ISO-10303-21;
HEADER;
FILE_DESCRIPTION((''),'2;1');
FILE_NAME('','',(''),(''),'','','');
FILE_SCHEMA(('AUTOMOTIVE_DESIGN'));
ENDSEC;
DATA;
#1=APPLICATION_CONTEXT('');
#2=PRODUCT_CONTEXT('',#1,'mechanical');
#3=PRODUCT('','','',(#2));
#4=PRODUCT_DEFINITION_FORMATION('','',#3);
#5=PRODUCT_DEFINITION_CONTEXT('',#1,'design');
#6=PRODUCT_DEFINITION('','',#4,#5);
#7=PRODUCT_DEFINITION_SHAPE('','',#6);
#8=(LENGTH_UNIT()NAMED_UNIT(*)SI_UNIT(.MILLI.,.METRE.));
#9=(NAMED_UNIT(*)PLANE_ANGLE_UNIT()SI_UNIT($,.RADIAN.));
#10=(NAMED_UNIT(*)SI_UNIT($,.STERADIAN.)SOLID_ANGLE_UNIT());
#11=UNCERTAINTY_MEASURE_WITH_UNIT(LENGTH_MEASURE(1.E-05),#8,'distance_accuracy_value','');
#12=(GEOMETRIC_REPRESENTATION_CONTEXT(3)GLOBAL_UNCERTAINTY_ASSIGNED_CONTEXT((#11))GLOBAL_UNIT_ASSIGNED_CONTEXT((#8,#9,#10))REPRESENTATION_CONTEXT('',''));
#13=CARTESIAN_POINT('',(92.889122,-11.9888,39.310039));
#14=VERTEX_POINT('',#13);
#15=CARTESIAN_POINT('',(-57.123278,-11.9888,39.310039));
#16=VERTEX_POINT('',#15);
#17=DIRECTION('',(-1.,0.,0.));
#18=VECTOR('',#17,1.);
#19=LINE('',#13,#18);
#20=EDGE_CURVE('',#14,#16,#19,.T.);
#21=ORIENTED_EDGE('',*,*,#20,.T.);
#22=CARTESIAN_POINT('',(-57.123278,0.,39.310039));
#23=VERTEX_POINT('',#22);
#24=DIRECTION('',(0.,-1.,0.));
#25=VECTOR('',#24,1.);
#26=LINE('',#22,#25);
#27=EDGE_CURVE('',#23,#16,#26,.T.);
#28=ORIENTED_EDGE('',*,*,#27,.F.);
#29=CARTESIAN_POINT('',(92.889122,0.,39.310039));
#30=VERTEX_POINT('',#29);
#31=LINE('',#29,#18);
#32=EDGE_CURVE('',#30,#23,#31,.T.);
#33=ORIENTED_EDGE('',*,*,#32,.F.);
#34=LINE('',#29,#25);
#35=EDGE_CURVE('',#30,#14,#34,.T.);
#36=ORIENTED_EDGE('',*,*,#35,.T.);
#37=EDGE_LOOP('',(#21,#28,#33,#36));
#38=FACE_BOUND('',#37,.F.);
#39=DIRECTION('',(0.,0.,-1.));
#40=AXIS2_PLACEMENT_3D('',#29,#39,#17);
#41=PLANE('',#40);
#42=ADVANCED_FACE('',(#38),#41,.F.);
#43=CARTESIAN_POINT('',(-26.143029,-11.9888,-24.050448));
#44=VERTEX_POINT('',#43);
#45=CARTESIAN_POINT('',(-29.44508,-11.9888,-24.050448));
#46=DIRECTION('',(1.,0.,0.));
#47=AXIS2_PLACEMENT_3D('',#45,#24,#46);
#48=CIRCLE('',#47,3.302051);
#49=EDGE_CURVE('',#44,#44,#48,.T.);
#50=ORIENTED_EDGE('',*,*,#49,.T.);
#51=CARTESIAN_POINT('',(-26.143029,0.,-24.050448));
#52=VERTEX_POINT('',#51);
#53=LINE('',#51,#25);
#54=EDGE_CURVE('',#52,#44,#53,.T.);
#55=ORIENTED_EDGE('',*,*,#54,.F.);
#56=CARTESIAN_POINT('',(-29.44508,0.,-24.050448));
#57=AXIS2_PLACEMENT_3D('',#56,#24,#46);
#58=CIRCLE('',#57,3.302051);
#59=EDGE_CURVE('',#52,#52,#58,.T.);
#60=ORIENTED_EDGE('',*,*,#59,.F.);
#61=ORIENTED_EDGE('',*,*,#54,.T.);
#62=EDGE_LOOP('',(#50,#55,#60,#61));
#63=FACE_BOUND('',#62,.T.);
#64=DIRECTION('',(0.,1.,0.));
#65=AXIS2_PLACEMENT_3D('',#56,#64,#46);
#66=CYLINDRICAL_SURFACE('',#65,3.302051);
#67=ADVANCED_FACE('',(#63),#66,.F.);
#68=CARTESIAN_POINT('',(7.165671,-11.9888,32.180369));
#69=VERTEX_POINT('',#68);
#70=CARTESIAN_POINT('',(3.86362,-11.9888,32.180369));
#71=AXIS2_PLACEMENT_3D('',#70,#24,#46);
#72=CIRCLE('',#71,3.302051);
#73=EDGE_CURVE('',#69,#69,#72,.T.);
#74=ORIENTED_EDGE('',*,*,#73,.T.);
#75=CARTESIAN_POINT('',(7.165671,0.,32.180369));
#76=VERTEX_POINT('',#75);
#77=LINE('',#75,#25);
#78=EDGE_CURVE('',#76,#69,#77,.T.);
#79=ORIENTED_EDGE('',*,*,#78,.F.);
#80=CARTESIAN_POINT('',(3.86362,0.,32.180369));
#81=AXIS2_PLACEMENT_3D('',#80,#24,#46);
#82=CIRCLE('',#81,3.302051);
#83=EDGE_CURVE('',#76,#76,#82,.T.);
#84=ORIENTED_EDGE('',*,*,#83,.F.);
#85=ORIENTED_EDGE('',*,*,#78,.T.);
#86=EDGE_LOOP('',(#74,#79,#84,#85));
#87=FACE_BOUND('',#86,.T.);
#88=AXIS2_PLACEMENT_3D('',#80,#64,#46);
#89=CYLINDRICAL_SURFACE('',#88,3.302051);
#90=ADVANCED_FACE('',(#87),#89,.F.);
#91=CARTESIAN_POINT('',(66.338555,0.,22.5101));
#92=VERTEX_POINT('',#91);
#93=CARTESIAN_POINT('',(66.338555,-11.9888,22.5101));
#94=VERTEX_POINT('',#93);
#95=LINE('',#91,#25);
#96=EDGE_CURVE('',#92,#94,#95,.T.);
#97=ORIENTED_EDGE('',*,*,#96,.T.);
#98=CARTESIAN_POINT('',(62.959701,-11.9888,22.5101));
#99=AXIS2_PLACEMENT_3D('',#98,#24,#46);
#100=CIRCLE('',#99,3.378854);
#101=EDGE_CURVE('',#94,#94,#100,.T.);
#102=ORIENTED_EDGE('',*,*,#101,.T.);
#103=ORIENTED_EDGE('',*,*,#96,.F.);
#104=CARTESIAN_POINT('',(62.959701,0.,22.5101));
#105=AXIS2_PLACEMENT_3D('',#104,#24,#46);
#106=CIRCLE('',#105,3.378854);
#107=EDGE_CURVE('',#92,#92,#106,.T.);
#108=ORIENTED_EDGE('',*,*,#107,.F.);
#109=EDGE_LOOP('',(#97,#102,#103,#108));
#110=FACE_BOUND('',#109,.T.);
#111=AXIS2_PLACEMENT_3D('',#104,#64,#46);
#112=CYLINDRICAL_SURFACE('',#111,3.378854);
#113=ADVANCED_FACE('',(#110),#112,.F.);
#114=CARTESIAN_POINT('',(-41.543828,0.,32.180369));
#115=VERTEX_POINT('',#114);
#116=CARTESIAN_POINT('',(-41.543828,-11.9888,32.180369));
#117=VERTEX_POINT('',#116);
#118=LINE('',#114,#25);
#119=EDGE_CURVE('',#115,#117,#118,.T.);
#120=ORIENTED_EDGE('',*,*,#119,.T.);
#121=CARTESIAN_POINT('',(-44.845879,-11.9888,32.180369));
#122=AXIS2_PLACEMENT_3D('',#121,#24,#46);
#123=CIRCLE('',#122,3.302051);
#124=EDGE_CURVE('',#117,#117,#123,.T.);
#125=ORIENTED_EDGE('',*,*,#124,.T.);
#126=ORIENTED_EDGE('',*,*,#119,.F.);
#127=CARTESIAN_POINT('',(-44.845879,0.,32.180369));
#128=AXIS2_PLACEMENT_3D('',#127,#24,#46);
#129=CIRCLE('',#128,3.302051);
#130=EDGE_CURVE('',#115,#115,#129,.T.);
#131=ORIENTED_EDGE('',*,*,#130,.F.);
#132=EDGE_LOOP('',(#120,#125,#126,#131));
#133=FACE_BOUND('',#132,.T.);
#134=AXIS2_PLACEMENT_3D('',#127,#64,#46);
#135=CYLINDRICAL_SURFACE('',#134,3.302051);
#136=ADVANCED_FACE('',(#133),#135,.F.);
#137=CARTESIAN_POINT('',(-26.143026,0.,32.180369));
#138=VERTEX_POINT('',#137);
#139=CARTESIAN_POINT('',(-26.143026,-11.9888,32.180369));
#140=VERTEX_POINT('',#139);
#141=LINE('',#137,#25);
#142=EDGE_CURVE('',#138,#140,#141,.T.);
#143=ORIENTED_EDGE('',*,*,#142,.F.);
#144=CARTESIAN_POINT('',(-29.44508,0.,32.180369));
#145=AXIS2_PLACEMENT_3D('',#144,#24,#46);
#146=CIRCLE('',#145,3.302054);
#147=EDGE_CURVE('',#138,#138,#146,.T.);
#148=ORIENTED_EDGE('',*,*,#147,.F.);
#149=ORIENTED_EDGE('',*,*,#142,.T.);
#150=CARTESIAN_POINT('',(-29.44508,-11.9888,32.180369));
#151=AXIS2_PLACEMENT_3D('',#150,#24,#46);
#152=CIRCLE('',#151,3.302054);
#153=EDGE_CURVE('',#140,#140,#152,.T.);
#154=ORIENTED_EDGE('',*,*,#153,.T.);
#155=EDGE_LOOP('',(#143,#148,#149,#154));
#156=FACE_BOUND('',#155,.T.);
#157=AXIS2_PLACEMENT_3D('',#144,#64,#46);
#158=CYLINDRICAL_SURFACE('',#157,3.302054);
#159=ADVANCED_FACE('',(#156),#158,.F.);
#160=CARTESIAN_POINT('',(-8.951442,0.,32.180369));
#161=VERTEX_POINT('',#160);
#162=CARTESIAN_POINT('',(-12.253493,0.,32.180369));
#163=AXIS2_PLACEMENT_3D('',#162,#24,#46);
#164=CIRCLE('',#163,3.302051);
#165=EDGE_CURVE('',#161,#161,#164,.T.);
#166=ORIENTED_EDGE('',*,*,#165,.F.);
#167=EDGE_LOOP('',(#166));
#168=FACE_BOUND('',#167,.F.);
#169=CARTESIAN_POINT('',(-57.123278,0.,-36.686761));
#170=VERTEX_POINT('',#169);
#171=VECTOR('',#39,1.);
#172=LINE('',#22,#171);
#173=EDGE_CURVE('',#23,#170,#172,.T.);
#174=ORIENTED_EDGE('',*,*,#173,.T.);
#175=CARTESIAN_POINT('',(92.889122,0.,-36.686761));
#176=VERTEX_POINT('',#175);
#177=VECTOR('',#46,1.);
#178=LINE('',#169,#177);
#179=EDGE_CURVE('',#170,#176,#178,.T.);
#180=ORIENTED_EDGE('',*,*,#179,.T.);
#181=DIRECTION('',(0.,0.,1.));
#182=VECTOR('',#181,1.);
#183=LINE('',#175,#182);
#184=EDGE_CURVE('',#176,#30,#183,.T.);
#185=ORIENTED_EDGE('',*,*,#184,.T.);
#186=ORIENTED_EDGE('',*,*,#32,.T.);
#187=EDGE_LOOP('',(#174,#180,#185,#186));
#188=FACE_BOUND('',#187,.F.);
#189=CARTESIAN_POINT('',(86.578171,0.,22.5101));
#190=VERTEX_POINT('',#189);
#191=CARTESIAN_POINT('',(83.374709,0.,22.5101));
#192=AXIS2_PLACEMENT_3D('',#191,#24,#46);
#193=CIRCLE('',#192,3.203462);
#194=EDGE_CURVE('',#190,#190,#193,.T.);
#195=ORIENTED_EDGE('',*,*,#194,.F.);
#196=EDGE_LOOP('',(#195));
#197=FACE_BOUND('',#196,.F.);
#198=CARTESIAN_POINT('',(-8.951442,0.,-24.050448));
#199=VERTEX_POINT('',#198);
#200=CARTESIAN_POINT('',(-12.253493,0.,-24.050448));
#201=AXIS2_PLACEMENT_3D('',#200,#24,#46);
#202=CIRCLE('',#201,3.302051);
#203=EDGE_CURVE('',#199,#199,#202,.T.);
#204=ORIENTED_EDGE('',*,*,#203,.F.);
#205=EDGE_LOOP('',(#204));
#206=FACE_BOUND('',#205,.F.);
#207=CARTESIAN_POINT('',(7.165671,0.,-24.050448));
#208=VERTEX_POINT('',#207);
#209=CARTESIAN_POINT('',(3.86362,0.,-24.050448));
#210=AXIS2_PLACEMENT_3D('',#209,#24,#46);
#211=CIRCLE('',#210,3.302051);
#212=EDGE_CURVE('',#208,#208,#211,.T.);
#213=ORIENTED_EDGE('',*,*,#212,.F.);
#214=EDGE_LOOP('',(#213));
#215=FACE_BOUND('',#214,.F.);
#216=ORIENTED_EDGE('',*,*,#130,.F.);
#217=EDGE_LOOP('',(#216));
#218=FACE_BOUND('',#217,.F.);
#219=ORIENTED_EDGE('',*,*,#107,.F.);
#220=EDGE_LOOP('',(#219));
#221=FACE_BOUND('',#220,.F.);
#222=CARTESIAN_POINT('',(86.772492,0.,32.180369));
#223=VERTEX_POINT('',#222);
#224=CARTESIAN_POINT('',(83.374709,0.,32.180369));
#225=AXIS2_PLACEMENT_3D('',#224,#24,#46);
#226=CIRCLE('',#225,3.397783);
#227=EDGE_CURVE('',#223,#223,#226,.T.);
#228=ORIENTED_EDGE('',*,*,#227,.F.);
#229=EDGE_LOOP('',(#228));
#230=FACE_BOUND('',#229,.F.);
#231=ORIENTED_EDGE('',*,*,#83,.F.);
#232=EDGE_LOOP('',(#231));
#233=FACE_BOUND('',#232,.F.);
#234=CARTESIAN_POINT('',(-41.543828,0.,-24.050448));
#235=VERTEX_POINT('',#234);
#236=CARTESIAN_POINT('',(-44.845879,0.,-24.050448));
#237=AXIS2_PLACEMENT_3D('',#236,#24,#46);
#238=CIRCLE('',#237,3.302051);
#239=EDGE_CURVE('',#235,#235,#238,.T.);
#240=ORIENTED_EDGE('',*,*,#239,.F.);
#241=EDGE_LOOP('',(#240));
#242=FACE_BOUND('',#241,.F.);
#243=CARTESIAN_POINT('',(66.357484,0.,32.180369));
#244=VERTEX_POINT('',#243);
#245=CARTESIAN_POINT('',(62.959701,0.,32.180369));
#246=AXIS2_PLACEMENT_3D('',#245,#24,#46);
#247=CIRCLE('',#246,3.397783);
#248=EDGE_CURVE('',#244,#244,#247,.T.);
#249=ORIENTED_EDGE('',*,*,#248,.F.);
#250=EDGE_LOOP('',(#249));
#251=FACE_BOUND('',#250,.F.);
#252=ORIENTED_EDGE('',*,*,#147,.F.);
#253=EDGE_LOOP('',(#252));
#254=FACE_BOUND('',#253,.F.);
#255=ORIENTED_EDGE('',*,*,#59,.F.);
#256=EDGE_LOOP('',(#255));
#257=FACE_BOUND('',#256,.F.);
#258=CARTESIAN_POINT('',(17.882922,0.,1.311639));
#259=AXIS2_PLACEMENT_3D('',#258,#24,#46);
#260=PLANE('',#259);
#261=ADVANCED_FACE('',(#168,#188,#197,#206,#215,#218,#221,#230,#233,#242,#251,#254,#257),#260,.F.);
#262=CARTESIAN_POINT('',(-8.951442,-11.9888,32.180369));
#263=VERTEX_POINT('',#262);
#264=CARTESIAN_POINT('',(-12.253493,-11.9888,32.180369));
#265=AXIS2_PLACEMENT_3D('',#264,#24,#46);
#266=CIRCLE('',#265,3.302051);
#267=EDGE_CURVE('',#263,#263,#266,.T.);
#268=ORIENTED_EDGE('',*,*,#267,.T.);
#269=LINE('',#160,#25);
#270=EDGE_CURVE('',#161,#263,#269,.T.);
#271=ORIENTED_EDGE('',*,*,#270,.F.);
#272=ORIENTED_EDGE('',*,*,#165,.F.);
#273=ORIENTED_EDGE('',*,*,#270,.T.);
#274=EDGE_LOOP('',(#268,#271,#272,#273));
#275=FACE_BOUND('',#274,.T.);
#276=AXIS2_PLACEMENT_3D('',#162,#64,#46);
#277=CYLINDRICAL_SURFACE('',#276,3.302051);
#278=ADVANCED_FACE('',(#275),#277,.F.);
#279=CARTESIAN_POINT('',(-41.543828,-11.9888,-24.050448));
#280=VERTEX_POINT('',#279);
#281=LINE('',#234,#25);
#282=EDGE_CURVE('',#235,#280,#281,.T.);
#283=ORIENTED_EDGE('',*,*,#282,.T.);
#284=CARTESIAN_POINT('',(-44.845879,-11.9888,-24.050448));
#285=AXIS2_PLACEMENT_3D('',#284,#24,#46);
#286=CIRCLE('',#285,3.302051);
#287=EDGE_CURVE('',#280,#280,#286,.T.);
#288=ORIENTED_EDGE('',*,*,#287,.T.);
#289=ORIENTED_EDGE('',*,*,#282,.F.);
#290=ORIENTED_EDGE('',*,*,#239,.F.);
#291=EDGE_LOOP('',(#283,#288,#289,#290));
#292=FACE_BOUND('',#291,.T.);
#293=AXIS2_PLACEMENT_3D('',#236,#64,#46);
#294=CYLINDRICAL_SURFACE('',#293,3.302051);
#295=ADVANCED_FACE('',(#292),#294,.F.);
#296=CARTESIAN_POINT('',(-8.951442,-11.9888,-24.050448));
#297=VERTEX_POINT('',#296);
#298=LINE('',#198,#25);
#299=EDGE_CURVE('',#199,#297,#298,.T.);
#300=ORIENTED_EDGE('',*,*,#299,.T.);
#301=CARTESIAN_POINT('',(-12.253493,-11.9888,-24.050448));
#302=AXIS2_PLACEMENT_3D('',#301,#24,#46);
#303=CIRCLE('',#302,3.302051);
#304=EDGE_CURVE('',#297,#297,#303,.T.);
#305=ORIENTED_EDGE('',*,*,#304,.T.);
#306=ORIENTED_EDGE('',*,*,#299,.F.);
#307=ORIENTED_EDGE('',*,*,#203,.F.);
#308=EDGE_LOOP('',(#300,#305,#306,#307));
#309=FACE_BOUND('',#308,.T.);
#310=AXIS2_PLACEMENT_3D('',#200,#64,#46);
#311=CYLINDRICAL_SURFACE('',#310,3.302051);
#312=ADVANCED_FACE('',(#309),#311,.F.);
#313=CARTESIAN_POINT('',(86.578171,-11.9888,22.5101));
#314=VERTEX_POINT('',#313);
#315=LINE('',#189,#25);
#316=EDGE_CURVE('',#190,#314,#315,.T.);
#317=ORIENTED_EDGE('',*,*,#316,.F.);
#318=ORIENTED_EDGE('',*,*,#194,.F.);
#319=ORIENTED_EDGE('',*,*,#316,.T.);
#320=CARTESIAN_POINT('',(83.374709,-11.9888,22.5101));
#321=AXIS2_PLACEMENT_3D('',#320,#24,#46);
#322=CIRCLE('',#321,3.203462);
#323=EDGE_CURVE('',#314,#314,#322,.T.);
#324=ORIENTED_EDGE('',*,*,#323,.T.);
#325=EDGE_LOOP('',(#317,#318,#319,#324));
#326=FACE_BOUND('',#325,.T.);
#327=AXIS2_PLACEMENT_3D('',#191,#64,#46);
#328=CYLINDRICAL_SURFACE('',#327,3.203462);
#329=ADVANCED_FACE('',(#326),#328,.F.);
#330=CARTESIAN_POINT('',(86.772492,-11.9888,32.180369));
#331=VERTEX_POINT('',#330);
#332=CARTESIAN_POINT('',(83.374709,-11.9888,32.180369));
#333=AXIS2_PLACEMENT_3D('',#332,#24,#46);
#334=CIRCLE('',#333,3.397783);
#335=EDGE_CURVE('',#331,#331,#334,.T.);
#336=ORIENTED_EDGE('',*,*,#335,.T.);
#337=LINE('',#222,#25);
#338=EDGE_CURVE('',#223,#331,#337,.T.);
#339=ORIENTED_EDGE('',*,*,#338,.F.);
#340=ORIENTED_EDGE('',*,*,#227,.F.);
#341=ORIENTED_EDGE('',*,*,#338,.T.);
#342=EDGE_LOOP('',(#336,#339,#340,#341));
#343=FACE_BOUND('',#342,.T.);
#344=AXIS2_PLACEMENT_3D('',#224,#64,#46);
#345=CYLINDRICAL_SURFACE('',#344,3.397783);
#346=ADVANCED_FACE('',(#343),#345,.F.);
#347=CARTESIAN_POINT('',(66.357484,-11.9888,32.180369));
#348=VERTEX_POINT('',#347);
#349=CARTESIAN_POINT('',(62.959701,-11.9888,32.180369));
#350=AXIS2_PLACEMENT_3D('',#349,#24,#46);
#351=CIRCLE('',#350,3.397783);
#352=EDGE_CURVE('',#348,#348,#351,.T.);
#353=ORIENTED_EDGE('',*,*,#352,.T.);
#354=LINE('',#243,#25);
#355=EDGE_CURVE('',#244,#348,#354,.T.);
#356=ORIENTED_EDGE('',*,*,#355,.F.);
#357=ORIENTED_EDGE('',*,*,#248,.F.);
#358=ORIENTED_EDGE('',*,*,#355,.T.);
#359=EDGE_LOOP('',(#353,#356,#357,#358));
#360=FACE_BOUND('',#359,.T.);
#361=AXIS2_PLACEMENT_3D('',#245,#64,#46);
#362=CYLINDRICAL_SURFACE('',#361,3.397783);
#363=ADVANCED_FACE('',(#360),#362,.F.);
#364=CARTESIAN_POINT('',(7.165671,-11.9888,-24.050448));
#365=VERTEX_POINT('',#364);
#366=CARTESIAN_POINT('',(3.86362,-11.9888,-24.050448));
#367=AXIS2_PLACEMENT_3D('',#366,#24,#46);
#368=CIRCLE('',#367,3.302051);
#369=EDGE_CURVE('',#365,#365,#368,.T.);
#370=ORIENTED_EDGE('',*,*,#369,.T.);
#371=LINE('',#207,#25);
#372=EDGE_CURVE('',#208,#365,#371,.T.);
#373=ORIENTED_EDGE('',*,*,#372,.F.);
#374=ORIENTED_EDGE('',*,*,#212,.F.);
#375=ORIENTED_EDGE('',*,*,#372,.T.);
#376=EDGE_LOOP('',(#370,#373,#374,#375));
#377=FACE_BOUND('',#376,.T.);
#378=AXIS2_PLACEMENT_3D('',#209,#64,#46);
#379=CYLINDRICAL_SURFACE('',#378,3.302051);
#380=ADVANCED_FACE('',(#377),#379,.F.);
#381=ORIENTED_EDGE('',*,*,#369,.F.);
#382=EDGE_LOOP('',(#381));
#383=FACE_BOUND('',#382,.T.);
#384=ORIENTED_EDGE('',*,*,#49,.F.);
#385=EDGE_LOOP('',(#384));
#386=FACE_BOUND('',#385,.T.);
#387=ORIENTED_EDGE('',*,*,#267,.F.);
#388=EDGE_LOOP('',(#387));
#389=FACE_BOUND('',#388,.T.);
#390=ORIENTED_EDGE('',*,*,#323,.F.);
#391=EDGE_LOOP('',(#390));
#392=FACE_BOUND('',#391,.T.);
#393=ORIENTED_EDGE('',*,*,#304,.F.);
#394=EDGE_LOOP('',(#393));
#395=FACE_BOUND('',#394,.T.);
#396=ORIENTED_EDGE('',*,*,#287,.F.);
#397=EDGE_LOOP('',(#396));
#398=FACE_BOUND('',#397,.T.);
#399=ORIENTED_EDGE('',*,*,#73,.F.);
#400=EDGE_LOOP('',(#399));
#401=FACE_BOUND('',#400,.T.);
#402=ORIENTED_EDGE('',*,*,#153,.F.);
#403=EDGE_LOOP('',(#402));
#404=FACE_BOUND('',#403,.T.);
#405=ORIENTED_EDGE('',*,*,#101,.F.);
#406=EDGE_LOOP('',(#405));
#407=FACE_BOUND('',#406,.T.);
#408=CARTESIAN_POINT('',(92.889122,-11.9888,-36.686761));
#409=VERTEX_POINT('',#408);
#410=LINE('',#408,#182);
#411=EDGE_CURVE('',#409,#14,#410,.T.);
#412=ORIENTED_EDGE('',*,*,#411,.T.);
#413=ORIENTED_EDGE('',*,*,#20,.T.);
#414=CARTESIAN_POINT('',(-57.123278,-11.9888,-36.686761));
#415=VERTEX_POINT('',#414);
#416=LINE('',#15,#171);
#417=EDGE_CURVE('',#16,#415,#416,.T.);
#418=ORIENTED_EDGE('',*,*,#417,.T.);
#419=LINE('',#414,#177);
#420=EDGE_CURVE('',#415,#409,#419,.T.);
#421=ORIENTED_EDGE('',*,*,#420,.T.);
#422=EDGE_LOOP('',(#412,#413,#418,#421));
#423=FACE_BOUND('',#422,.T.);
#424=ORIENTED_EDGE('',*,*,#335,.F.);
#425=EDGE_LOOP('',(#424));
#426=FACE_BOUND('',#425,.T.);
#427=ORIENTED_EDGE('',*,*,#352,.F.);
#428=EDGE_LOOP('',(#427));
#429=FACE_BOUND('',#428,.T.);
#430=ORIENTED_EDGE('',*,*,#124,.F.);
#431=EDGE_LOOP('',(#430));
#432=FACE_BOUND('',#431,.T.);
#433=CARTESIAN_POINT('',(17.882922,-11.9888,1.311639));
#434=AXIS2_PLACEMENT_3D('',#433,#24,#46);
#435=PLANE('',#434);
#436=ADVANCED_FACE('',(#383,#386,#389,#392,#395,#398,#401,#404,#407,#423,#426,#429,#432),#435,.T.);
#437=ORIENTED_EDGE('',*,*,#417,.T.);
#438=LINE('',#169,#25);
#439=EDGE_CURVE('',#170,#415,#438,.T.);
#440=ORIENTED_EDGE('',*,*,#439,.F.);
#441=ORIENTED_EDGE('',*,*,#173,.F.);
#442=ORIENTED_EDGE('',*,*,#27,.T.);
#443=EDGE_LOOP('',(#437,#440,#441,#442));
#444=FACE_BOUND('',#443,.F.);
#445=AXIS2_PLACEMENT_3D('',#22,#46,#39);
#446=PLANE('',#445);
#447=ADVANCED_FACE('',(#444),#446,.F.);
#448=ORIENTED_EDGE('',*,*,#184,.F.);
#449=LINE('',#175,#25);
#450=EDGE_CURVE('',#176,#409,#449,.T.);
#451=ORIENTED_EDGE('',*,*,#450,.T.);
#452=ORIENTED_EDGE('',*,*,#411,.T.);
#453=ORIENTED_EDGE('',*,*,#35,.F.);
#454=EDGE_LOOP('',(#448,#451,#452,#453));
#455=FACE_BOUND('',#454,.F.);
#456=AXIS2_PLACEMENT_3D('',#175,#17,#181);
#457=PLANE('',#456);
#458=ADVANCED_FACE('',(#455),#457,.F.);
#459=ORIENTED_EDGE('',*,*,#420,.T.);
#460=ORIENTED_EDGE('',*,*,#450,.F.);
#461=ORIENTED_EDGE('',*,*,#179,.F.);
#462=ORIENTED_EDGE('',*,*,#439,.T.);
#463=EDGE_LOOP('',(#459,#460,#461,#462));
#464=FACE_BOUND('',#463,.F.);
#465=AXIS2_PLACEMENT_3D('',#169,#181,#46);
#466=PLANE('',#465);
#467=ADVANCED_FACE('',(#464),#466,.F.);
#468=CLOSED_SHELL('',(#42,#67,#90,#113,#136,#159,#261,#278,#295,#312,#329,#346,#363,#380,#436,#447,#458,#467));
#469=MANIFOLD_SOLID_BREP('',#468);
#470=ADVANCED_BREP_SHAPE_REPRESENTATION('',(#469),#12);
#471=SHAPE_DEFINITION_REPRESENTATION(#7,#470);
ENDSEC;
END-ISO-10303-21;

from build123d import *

# Parameters (mm, degrees)
F0_R     = 3.302051
F0_R_2   = 3.302054
F0_R_3   = 3.378854
F0_R_4   = 3.203462
F0_R_5   = 3.397783
F1_DEPTH = 11.9888


with BuildPart() as f1:
    # F0 (on Front) → F1 (new body)
    with BuildSketch(Plane.XZ):
        Polygon((92.889122, 39.310039), (-57.123278, 39.310039), (-57.123278, -31.973779), (-57.123278, -36.686761), (92.889122, -36.686761), align=None)
        with Locations((-44.845879, -24.050448)):
            Circle(F0_R, mode=Mode.SUBTRACT)
        with Locations((-29.44508, -24.050448)):
            Circle(F0_R, mode=Mode.SUBTRACT)
        with Locations((-12.253493, -24.050448)):
            Circle(F0_R, mode=Mode.SUBTRACT)
        with Locations((3.86362, -24.050448)):
            Circle(F0_R, mode=Mode.SUBTRACT)
        with Locations((-44.845879, 32.180369)):
            Circle(F0_R, mode=Mode.SUBTRACT)
        with Locations((-29.44508, 32.180369)):
            Circle(F0_R_2, mode=Mode.SUBTRACT)
        with Locations((-12.253493, 32.180369)):
            Circle(F0_R, mode=Mode.SUBTRACT)
        with Locations((3.86362, 32.180369)):
            Circle(F0_R, mode=Mode.SUBTRACT)
        with Locations((62.959701, 22.5101)):
            Circle(F0_R_3, mode=Mode.SUBTRACT)
        with Locations((83.374709, 22.5101)):
            Circle(F0_R_4, mode=Mode.SUBTRACT)
        with Locations((62.959701, 32.180369)):
            Circle(F0_R_5, mode=Mode.SUBTRACT)
        with Locations((83.374709, 32.180369)):
            Circle(F0_R_5, mode=Mode.SUBTRACT)
    extrude(amount=F1_DEPTH)


solid = f1.part
